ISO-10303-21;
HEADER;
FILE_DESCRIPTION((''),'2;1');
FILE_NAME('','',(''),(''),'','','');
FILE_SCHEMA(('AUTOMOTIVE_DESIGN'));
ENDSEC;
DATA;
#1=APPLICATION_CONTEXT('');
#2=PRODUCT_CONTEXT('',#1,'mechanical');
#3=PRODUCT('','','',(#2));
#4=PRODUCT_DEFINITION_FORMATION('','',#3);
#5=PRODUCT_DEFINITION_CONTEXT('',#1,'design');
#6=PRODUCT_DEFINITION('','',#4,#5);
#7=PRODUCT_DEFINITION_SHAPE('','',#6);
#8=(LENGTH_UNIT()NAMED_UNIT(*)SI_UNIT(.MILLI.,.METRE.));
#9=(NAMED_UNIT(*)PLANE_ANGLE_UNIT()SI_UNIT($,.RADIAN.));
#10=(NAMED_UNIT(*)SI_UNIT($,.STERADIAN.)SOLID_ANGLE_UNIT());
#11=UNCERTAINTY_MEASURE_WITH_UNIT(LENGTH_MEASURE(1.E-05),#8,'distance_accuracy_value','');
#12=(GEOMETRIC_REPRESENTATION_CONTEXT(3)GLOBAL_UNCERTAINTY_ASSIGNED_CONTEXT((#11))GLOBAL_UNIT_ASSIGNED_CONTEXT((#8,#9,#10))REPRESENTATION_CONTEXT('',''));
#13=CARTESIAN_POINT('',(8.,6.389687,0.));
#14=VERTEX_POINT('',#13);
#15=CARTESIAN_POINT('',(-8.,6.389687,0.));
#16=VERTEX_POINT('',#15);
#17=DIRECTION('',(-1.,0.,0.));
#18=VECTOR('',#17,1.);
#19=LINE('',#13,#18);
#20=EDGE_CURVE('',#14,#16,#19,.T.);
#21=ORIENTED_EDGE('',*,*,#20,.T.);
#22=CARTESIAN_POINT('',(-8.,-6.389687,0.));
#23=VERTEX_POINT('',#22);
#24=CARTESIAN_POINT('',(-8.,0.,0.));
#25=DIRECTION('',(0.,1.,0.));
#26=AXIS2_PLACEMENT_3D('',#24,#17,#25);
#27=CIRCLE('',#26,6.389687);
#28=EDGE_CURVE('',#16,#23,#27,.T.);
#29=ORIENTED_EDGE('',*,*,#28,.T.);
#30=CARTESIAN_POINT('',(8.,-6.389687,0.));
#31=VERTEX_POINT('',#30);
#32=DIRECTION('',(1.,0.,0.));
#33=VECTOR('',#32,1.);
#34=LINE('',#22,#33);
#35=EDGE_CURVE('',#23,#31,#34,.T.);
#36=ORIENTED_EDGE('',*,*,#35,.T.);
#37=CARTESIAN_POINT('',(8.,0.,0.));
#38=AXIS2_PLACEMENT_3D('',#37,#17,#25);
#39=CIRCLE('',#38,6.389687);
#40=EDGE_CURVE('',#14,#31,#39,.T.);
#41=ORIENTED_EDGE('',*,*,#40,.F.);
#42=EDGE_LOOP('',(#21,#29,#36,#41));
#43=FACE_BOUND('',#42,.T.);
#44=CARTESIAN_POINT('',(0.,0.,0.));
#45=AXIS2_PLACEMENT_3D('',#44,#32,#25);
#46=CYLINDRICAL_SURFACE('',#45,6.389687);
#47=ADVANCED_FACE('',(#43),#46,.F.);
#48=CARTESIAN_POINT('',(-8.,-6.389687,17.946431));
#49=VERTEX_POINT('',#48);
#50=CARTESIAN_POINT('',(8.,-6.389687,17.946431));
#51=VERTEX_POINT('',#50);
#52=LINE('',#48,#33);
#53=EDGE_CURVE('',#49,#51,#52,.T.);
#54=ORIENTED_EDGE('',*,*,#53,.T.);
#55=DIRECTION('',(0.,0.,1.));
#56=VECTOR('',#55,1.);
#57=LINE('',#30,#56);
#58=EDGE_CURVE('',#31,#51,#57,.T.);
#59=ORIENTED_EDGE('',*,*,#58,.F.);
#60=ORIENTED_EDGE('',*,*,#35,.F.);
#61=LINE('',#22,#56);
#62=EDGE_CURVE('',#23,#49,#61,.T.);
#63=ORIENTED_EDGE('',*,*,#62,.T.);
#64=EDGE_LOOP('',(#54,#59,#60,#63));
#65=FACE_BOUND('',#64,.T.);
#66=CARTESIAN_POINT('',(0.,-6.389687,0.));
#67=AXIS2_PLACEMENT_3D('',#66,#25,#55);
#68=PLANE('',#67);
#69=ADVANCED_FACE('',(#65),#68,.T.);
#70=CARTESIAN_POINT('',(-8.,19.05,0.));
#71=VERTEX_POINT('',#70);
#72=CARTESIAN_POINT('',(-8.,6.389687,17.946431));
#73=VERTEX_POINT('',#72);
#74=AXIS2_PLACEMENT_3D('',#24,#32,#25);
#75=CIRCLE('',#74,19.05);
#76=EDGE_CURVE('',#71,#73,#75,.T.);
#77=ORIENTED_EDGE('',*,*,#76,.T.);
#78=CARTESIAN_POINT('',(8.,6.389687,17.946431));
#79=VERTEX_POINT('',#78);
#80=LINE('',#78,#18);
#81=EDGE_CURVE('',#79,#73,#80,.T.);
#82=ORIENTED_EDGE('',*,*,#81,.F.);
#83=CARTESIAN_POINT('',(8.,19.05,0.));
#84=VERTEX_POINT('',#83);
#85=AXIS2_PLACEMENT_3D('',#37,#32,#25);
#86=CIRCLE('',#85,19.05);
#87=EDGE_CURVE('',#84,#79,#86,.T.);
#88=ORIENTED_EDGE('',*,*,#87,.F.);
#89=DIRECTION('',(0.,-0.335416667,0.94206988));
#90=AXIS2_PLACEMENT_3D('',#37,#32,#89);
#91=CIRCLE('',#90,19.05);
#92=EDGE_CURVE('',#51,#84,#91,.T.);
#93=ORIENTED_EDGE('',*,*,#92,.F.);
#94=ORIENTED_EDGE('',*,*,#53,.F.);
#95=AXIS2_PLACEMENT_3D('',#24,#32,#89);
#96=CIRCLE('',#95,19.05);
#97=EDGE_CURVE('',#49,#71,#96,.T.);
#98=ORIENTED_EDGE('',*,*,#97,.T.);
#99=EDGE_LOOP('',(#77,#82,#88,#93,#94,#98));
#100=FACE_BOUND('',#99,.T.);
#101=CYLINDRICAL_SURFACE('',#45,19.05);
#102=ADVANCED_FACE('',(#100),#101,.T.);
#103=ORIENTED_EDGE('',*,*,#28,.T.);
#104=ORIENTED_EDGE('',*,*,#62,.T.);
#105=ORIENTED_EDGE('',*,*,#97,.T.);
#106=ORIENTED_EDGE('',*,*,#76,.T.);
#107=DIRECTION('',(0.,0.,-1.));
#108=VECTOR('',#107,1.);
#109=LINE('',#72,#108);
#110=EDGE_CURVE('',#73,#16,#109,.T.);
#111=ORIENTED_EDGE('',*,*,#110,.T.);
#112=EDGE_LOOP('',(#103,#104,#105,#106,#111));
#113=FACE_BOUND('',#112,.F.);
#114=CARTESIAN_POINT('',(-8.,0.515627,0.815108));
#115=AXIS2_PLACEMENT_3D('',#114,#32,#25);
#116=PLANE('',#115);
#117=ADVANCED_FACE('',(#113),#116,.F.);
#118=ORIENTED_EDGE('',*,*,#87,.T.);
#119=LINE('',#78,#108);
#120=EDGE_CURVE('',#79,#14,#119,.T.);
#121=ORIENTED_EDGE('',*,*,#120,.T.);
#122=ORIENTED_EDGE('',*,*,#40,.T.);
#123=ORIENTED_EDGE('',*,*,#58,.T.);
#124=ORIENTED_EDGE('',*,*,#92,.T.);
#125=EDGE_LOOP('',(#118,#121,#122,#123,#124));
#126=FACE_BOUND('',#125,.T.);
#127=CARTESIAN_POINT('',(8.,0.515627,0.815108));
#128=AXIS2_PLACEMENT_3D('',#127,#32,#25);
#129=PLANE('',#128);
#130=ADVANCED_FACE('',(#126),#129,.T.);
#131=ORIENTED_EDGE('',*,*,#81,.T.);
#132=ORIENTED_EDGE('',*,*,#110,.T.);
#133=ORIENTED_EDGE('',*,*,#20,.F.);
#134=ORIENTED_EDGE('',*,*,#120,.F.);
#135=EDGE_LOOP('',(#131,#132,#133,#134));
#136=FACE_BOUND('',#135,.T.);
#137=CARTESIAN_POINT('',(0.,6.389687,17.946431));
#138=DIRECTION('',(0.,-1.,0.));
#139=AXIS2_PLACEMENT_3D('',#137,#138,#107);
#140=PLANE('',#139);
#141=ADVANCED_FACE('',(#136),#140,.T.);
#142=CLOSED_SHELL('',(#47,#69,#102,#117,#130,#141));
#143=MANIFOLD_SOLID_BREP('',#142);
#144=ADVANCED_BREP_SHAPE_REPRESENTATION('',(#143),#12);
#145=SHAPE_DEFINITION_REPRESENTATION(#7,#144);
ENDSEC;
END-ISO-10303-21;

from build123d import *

# Parameters (mm, degrees)
F1_DEPTH = 8


with BuildPart() as f1:
    # F0 (on Right) → F1 (new body, symmetric)
    with BuildSketch(Plane.YZ):
        with BuildLine():
            ThreePointArc((6.3896875, 0), (0, -6.3896875), (-6.3896875, 0))
            Line((-6.3896875, 0), (-6.3896875, 17.9464312233))
            ThreePointArc((-6.3896875, 17.9464312233), (-10.9813239895, -15.5664068891), (19.05, 0))
            ThreePointArc((19.05, 0), (15.5664068891, 10.9813239895), (6.3896875, 17.9464312233))
            Line((6.3896875, 17.9464312233), (6.3896875, 0))
        make_face()
    extrude(amount=F1_DEPTH, both=True)


solid = f1.part
